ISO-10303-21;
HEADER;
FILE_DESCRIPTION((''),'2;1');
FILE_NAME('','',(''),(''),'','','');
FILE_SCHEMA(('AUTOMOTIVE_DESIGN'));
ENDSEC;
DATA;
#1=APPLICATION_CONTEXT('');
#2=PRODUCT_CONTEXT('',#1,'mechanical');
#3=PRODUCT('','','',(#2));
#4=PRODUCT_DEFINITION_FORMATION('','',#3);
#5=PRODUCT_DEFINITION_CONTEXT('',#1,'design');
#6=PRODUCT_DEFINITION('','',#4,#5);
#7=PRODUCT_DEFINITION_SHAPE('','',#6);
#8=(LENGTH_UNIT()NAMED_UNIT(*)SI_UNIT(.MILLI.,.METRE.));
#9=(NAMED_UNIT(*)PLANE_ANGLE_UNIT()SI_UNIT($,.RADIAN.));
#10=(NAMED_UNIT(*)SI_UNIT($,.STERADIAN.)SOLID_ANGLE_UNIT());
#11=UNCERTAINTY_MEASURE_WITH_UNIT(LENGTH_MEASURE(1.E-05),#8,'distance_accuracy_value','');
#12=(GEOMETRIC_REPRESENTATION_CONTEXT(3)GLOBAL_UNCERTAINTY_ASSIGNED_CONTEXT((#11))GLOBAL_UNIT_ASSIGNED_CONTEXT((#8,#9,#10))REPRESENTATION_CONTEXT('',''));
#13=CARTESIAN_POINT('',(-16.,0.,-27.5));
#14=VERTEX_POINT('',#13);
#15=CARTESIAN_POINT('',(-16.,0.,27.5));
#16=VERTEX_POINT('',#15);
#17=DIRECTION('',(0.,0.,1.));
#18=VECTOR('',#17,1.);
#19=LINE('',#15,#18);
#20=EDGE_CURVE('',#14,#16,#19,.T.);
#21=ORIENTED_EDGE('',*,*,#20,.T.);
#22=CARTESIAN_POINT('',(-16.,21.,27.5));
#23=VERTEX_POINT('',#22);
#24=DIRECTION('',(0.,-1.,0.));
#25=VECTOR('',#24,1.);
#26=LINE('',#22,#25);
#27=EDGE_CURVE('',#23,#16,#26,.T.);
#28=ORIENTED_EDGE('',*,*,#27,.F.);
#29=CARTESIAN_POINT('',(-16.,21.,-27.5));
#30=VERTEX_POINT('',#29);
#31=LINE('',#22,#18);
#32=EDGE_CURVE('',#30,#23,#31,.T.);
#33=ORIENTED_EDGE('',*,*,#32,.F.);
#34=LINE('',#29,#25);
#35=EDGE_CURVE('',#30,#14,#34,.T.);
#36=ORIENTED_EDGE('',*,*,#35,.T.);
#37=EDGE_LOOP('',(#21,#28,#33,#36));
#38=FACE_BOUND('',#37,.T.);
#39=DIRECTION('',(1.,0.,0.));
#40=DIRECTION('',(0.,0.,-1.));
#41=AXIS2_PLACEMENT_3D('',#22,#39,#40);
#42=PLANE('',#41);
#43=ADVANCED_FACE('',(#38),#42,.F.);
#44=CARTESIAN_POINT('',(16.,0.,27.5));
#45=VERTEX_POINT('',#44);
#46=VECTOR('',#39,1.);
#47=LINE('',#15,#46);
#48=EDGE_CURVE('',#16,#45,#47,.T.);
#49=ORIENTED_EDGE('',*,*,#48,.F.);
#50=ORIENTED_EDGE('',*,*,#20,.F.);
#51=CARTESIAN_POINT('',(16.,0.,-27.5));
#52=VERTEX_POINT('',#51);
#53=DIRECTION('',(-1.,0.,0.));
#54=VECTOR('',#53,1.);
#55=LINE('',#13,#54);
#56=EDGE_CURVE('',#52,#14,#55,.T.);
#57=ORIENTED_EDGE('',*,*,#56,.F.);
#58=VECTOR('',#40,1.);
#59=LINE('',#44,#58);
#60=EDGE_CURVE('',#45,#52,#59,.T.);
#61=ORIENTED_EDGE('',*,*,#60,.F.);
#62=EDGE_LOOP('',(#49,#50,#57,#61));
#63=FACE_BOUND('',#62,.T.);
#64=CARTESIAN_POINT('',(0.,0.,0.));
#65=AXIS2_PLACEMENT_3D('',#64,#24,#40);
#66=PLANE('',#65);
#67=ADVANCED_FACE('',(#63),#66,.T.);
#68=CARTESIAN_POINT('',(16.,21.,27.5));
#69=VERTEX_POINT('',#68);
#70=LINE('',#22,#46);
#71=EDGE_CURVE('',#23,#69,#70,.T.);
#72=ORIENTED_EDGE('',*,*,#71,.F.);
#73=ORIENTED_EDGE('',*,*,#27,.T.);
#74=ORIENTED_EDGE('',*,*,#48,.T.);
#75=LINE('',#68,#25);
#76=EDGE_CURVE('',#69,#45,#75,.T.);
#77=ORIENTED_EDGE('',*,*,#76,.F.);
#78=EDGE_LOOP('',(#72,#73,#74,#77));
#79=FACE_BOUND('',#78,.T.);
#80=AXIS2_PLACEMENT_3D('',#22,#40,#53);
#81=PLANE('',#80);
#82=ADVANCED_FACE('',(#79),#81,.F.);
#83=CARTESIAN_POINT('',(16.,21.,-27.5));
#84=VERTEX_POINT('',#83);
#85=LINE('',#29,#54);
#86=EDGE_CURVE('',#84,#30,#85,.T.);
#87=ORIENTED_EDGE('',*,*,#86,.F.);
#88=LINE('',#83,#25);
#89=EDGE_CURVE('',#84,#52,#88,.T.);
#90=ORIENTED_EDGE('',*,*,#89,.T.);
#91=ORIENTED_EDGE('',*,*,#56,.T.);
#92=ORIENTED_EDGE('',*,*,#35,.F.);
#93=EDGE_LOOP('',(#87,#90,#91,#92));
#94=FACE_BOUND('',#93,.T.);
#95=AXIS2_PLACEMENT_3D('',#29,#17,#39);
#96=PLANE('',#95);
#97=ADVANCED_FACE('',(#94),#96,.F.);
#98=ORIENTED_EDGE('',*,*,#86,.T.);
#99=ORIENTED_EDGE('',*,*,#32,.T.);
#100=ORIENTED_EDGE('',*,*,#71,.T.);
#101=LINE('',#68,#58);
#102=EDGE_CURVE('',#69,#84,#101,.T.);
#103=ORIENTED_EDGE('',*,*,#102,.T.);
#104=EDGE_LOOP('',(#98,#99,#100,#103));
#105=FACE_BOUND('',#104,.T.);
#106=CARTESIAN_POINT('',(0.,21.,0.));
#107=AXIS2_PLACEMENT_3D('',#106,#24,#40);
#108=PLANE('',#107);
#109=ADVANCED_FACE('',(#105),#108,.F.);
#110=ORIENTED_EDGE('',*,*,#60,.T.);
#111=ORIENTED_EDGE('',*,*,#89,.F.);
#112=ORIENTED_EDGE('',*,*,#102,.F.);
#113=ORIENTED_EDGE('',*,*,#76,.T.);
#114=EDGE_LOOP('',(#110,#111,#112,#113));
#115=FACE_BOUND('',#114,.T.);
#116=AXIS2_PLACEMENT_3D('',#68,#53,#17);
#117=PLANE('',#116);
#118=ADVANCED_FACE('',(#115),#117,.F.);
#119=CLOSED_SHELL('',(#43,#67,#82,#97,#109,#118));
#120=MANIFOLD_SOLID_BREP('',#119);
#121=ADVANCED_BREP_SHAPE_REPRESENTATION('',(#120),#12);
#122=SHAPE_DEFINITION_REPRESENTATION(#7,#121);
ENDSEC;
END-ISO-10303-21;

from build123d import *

# Parameters (mm, degrees)
SKETCH1_W           = 32
SKETCH1_H           = 55
BOSS_EXTRUDE1_DEPTH = 21


with BuildPart() as part:
    # Sketch1 → Boss-Extrude1 (new body)
    with BuildSketch(Plane(origin=(0, 0, 0), x_dir=(1, 0, 0), z_dir=(0, 1, 0))):
        Rectangle(SKETCH1_W, SKETCH1_H)
    extrude(amount=BOSS_EXTRUDE1_DEPTH)


solid = part.part
